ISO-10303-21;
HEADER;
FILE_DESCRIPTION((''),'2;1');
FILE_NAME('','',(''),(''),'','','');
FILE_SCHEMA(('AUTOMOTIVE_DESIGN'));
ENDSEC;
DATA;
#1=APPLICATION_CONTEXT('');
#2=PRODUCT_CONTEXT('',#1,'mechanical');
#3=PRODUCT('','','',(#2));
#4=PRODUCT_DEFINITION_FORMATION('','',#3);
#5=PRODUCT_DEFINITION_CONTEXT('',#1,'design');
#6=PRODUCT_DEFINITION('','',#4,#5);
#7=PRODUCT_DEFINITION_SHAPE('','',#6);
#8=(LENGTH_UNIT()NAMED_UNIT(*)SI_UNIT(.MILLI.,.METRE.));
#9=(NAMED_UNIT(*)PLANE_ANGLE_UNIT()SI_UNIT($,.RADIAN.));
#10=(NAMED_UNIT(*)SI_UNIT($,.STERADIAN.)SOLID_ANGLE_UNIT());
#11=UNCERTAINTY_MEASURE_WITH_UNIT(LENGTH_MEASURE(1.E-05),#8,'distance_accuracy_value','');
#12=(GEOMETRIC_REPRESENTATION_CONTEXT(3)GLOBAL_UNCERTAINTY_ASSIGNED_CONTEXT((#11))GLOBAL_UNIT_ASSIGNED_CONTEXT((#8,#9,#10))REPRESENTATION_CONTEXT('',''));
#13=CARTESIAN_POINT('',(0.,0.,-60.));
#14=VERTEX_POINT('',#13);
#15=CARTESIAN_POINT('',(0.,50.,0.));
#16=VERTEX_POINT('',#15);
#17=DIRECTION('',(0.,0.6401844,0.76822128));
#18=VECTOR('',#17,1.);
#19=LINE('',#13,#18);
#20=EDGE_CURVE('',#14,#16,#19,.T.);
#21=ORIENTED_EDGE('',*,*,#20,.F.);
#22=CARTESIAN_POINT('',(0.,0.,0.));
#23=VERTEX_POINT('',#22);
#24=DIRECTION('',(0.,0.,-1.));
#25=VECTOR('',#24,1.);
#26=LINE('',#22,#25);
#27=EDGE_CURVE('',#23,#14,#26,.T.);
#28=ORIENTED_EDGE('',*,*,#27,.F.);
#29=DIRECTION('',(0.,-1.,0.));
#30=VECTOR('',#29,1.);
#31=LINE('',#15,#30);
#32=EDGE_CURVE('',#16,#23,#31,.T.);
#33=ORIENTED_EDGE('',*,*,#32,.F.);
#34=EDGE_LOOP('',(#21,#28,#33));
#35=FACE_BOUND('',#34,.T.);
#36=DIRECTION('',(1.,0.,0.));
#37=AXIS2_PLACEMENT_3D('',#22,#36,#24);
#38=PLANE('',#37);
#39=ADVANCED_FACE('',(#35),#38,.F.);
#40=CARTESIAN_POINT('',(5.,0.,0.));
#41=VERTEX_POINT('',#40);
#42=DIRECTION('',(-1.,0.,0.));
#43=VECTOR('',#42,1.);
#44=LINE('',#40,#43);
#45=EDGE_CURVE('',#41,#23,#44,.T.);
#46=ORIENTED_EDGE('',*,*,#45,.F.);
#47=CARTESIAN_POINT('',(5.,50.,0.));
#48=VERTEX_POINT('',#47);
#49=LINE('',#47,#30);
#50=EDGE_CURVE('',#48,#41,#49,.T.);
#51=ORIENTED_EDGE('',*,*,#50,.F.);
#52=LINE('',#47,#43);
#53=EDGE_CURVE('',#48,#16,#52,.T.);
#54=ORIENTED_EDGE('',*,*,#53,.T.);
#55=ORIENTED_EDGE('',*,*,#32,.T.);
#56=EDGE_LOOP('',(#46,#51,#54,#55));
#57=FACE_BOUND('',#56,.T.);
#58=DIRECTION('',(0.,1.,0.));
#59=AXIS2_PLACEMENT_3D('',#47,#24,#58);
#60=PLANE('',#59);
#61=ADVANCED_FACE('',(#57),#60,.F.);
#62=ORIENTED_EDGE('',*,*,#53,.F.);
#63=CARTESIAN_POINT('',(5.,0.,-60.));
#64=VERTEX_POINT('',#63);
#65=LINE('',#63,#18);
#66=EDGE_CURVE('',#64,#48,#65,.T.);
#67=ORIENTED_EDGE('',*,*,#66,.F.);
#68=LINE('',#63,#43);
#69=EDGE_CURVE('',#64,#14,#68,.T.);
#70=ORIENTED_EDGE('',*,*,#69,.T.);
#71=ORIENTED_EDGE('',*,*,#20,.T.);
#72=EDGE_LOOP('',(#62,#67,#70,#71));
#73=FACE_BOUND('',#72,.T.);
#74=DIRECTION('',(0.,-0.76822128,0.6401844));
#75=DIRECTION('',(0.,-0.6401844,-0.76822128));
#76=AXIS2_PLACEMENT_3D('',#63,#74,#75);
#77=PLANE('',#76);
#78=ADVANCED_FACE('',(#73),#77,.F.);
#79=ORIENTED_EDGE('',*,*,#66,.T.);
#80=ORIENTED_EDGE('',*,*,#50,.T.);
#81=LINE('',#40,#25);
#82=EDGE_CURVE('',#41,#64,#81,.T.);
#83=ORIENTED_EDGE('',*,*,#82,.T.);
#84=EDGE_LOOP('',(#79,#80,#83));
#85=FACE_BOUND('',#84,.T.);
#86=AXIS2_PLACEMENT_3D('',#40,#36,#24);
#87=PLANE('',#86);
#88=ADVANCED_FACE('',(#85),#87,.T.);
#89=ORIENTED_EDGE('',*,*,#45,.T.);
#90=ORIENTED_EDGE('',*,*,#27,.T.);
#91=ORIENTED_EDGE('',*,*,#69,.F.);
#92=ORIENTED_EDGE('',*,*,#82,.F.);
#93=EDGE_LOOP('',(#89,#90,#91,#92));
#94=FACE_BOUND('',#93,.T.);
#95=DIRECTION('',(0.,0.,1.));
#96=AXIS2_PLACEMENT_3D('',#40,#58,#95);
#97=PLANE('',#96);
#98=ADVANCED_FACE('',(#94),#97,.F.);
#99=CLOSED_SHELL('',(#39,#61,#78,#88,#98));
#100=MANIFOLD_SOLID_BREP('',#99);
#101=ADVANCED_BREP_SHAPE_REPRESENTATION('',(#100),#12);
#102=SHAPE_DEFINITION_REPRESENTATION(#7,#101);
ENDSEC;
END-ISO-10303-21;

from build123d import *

# Parameters (mm, degrees)
EXTRUDE_1_DEPTH = 5


with BuildPart() as part:
    # Эскиз1 → Бобышка-Вытянуть1 (new body)
    with BuildSketch(Plane(origin=(0, 0, 0), x_dir=(0, 0, -1), z_dir=(1, 0, 0))):
        Polygon((0, 0), (60, 0), (0, 50), align=None)
    extrude(amount=EXTRUDE_1_DEPTH)


solid = part.part
